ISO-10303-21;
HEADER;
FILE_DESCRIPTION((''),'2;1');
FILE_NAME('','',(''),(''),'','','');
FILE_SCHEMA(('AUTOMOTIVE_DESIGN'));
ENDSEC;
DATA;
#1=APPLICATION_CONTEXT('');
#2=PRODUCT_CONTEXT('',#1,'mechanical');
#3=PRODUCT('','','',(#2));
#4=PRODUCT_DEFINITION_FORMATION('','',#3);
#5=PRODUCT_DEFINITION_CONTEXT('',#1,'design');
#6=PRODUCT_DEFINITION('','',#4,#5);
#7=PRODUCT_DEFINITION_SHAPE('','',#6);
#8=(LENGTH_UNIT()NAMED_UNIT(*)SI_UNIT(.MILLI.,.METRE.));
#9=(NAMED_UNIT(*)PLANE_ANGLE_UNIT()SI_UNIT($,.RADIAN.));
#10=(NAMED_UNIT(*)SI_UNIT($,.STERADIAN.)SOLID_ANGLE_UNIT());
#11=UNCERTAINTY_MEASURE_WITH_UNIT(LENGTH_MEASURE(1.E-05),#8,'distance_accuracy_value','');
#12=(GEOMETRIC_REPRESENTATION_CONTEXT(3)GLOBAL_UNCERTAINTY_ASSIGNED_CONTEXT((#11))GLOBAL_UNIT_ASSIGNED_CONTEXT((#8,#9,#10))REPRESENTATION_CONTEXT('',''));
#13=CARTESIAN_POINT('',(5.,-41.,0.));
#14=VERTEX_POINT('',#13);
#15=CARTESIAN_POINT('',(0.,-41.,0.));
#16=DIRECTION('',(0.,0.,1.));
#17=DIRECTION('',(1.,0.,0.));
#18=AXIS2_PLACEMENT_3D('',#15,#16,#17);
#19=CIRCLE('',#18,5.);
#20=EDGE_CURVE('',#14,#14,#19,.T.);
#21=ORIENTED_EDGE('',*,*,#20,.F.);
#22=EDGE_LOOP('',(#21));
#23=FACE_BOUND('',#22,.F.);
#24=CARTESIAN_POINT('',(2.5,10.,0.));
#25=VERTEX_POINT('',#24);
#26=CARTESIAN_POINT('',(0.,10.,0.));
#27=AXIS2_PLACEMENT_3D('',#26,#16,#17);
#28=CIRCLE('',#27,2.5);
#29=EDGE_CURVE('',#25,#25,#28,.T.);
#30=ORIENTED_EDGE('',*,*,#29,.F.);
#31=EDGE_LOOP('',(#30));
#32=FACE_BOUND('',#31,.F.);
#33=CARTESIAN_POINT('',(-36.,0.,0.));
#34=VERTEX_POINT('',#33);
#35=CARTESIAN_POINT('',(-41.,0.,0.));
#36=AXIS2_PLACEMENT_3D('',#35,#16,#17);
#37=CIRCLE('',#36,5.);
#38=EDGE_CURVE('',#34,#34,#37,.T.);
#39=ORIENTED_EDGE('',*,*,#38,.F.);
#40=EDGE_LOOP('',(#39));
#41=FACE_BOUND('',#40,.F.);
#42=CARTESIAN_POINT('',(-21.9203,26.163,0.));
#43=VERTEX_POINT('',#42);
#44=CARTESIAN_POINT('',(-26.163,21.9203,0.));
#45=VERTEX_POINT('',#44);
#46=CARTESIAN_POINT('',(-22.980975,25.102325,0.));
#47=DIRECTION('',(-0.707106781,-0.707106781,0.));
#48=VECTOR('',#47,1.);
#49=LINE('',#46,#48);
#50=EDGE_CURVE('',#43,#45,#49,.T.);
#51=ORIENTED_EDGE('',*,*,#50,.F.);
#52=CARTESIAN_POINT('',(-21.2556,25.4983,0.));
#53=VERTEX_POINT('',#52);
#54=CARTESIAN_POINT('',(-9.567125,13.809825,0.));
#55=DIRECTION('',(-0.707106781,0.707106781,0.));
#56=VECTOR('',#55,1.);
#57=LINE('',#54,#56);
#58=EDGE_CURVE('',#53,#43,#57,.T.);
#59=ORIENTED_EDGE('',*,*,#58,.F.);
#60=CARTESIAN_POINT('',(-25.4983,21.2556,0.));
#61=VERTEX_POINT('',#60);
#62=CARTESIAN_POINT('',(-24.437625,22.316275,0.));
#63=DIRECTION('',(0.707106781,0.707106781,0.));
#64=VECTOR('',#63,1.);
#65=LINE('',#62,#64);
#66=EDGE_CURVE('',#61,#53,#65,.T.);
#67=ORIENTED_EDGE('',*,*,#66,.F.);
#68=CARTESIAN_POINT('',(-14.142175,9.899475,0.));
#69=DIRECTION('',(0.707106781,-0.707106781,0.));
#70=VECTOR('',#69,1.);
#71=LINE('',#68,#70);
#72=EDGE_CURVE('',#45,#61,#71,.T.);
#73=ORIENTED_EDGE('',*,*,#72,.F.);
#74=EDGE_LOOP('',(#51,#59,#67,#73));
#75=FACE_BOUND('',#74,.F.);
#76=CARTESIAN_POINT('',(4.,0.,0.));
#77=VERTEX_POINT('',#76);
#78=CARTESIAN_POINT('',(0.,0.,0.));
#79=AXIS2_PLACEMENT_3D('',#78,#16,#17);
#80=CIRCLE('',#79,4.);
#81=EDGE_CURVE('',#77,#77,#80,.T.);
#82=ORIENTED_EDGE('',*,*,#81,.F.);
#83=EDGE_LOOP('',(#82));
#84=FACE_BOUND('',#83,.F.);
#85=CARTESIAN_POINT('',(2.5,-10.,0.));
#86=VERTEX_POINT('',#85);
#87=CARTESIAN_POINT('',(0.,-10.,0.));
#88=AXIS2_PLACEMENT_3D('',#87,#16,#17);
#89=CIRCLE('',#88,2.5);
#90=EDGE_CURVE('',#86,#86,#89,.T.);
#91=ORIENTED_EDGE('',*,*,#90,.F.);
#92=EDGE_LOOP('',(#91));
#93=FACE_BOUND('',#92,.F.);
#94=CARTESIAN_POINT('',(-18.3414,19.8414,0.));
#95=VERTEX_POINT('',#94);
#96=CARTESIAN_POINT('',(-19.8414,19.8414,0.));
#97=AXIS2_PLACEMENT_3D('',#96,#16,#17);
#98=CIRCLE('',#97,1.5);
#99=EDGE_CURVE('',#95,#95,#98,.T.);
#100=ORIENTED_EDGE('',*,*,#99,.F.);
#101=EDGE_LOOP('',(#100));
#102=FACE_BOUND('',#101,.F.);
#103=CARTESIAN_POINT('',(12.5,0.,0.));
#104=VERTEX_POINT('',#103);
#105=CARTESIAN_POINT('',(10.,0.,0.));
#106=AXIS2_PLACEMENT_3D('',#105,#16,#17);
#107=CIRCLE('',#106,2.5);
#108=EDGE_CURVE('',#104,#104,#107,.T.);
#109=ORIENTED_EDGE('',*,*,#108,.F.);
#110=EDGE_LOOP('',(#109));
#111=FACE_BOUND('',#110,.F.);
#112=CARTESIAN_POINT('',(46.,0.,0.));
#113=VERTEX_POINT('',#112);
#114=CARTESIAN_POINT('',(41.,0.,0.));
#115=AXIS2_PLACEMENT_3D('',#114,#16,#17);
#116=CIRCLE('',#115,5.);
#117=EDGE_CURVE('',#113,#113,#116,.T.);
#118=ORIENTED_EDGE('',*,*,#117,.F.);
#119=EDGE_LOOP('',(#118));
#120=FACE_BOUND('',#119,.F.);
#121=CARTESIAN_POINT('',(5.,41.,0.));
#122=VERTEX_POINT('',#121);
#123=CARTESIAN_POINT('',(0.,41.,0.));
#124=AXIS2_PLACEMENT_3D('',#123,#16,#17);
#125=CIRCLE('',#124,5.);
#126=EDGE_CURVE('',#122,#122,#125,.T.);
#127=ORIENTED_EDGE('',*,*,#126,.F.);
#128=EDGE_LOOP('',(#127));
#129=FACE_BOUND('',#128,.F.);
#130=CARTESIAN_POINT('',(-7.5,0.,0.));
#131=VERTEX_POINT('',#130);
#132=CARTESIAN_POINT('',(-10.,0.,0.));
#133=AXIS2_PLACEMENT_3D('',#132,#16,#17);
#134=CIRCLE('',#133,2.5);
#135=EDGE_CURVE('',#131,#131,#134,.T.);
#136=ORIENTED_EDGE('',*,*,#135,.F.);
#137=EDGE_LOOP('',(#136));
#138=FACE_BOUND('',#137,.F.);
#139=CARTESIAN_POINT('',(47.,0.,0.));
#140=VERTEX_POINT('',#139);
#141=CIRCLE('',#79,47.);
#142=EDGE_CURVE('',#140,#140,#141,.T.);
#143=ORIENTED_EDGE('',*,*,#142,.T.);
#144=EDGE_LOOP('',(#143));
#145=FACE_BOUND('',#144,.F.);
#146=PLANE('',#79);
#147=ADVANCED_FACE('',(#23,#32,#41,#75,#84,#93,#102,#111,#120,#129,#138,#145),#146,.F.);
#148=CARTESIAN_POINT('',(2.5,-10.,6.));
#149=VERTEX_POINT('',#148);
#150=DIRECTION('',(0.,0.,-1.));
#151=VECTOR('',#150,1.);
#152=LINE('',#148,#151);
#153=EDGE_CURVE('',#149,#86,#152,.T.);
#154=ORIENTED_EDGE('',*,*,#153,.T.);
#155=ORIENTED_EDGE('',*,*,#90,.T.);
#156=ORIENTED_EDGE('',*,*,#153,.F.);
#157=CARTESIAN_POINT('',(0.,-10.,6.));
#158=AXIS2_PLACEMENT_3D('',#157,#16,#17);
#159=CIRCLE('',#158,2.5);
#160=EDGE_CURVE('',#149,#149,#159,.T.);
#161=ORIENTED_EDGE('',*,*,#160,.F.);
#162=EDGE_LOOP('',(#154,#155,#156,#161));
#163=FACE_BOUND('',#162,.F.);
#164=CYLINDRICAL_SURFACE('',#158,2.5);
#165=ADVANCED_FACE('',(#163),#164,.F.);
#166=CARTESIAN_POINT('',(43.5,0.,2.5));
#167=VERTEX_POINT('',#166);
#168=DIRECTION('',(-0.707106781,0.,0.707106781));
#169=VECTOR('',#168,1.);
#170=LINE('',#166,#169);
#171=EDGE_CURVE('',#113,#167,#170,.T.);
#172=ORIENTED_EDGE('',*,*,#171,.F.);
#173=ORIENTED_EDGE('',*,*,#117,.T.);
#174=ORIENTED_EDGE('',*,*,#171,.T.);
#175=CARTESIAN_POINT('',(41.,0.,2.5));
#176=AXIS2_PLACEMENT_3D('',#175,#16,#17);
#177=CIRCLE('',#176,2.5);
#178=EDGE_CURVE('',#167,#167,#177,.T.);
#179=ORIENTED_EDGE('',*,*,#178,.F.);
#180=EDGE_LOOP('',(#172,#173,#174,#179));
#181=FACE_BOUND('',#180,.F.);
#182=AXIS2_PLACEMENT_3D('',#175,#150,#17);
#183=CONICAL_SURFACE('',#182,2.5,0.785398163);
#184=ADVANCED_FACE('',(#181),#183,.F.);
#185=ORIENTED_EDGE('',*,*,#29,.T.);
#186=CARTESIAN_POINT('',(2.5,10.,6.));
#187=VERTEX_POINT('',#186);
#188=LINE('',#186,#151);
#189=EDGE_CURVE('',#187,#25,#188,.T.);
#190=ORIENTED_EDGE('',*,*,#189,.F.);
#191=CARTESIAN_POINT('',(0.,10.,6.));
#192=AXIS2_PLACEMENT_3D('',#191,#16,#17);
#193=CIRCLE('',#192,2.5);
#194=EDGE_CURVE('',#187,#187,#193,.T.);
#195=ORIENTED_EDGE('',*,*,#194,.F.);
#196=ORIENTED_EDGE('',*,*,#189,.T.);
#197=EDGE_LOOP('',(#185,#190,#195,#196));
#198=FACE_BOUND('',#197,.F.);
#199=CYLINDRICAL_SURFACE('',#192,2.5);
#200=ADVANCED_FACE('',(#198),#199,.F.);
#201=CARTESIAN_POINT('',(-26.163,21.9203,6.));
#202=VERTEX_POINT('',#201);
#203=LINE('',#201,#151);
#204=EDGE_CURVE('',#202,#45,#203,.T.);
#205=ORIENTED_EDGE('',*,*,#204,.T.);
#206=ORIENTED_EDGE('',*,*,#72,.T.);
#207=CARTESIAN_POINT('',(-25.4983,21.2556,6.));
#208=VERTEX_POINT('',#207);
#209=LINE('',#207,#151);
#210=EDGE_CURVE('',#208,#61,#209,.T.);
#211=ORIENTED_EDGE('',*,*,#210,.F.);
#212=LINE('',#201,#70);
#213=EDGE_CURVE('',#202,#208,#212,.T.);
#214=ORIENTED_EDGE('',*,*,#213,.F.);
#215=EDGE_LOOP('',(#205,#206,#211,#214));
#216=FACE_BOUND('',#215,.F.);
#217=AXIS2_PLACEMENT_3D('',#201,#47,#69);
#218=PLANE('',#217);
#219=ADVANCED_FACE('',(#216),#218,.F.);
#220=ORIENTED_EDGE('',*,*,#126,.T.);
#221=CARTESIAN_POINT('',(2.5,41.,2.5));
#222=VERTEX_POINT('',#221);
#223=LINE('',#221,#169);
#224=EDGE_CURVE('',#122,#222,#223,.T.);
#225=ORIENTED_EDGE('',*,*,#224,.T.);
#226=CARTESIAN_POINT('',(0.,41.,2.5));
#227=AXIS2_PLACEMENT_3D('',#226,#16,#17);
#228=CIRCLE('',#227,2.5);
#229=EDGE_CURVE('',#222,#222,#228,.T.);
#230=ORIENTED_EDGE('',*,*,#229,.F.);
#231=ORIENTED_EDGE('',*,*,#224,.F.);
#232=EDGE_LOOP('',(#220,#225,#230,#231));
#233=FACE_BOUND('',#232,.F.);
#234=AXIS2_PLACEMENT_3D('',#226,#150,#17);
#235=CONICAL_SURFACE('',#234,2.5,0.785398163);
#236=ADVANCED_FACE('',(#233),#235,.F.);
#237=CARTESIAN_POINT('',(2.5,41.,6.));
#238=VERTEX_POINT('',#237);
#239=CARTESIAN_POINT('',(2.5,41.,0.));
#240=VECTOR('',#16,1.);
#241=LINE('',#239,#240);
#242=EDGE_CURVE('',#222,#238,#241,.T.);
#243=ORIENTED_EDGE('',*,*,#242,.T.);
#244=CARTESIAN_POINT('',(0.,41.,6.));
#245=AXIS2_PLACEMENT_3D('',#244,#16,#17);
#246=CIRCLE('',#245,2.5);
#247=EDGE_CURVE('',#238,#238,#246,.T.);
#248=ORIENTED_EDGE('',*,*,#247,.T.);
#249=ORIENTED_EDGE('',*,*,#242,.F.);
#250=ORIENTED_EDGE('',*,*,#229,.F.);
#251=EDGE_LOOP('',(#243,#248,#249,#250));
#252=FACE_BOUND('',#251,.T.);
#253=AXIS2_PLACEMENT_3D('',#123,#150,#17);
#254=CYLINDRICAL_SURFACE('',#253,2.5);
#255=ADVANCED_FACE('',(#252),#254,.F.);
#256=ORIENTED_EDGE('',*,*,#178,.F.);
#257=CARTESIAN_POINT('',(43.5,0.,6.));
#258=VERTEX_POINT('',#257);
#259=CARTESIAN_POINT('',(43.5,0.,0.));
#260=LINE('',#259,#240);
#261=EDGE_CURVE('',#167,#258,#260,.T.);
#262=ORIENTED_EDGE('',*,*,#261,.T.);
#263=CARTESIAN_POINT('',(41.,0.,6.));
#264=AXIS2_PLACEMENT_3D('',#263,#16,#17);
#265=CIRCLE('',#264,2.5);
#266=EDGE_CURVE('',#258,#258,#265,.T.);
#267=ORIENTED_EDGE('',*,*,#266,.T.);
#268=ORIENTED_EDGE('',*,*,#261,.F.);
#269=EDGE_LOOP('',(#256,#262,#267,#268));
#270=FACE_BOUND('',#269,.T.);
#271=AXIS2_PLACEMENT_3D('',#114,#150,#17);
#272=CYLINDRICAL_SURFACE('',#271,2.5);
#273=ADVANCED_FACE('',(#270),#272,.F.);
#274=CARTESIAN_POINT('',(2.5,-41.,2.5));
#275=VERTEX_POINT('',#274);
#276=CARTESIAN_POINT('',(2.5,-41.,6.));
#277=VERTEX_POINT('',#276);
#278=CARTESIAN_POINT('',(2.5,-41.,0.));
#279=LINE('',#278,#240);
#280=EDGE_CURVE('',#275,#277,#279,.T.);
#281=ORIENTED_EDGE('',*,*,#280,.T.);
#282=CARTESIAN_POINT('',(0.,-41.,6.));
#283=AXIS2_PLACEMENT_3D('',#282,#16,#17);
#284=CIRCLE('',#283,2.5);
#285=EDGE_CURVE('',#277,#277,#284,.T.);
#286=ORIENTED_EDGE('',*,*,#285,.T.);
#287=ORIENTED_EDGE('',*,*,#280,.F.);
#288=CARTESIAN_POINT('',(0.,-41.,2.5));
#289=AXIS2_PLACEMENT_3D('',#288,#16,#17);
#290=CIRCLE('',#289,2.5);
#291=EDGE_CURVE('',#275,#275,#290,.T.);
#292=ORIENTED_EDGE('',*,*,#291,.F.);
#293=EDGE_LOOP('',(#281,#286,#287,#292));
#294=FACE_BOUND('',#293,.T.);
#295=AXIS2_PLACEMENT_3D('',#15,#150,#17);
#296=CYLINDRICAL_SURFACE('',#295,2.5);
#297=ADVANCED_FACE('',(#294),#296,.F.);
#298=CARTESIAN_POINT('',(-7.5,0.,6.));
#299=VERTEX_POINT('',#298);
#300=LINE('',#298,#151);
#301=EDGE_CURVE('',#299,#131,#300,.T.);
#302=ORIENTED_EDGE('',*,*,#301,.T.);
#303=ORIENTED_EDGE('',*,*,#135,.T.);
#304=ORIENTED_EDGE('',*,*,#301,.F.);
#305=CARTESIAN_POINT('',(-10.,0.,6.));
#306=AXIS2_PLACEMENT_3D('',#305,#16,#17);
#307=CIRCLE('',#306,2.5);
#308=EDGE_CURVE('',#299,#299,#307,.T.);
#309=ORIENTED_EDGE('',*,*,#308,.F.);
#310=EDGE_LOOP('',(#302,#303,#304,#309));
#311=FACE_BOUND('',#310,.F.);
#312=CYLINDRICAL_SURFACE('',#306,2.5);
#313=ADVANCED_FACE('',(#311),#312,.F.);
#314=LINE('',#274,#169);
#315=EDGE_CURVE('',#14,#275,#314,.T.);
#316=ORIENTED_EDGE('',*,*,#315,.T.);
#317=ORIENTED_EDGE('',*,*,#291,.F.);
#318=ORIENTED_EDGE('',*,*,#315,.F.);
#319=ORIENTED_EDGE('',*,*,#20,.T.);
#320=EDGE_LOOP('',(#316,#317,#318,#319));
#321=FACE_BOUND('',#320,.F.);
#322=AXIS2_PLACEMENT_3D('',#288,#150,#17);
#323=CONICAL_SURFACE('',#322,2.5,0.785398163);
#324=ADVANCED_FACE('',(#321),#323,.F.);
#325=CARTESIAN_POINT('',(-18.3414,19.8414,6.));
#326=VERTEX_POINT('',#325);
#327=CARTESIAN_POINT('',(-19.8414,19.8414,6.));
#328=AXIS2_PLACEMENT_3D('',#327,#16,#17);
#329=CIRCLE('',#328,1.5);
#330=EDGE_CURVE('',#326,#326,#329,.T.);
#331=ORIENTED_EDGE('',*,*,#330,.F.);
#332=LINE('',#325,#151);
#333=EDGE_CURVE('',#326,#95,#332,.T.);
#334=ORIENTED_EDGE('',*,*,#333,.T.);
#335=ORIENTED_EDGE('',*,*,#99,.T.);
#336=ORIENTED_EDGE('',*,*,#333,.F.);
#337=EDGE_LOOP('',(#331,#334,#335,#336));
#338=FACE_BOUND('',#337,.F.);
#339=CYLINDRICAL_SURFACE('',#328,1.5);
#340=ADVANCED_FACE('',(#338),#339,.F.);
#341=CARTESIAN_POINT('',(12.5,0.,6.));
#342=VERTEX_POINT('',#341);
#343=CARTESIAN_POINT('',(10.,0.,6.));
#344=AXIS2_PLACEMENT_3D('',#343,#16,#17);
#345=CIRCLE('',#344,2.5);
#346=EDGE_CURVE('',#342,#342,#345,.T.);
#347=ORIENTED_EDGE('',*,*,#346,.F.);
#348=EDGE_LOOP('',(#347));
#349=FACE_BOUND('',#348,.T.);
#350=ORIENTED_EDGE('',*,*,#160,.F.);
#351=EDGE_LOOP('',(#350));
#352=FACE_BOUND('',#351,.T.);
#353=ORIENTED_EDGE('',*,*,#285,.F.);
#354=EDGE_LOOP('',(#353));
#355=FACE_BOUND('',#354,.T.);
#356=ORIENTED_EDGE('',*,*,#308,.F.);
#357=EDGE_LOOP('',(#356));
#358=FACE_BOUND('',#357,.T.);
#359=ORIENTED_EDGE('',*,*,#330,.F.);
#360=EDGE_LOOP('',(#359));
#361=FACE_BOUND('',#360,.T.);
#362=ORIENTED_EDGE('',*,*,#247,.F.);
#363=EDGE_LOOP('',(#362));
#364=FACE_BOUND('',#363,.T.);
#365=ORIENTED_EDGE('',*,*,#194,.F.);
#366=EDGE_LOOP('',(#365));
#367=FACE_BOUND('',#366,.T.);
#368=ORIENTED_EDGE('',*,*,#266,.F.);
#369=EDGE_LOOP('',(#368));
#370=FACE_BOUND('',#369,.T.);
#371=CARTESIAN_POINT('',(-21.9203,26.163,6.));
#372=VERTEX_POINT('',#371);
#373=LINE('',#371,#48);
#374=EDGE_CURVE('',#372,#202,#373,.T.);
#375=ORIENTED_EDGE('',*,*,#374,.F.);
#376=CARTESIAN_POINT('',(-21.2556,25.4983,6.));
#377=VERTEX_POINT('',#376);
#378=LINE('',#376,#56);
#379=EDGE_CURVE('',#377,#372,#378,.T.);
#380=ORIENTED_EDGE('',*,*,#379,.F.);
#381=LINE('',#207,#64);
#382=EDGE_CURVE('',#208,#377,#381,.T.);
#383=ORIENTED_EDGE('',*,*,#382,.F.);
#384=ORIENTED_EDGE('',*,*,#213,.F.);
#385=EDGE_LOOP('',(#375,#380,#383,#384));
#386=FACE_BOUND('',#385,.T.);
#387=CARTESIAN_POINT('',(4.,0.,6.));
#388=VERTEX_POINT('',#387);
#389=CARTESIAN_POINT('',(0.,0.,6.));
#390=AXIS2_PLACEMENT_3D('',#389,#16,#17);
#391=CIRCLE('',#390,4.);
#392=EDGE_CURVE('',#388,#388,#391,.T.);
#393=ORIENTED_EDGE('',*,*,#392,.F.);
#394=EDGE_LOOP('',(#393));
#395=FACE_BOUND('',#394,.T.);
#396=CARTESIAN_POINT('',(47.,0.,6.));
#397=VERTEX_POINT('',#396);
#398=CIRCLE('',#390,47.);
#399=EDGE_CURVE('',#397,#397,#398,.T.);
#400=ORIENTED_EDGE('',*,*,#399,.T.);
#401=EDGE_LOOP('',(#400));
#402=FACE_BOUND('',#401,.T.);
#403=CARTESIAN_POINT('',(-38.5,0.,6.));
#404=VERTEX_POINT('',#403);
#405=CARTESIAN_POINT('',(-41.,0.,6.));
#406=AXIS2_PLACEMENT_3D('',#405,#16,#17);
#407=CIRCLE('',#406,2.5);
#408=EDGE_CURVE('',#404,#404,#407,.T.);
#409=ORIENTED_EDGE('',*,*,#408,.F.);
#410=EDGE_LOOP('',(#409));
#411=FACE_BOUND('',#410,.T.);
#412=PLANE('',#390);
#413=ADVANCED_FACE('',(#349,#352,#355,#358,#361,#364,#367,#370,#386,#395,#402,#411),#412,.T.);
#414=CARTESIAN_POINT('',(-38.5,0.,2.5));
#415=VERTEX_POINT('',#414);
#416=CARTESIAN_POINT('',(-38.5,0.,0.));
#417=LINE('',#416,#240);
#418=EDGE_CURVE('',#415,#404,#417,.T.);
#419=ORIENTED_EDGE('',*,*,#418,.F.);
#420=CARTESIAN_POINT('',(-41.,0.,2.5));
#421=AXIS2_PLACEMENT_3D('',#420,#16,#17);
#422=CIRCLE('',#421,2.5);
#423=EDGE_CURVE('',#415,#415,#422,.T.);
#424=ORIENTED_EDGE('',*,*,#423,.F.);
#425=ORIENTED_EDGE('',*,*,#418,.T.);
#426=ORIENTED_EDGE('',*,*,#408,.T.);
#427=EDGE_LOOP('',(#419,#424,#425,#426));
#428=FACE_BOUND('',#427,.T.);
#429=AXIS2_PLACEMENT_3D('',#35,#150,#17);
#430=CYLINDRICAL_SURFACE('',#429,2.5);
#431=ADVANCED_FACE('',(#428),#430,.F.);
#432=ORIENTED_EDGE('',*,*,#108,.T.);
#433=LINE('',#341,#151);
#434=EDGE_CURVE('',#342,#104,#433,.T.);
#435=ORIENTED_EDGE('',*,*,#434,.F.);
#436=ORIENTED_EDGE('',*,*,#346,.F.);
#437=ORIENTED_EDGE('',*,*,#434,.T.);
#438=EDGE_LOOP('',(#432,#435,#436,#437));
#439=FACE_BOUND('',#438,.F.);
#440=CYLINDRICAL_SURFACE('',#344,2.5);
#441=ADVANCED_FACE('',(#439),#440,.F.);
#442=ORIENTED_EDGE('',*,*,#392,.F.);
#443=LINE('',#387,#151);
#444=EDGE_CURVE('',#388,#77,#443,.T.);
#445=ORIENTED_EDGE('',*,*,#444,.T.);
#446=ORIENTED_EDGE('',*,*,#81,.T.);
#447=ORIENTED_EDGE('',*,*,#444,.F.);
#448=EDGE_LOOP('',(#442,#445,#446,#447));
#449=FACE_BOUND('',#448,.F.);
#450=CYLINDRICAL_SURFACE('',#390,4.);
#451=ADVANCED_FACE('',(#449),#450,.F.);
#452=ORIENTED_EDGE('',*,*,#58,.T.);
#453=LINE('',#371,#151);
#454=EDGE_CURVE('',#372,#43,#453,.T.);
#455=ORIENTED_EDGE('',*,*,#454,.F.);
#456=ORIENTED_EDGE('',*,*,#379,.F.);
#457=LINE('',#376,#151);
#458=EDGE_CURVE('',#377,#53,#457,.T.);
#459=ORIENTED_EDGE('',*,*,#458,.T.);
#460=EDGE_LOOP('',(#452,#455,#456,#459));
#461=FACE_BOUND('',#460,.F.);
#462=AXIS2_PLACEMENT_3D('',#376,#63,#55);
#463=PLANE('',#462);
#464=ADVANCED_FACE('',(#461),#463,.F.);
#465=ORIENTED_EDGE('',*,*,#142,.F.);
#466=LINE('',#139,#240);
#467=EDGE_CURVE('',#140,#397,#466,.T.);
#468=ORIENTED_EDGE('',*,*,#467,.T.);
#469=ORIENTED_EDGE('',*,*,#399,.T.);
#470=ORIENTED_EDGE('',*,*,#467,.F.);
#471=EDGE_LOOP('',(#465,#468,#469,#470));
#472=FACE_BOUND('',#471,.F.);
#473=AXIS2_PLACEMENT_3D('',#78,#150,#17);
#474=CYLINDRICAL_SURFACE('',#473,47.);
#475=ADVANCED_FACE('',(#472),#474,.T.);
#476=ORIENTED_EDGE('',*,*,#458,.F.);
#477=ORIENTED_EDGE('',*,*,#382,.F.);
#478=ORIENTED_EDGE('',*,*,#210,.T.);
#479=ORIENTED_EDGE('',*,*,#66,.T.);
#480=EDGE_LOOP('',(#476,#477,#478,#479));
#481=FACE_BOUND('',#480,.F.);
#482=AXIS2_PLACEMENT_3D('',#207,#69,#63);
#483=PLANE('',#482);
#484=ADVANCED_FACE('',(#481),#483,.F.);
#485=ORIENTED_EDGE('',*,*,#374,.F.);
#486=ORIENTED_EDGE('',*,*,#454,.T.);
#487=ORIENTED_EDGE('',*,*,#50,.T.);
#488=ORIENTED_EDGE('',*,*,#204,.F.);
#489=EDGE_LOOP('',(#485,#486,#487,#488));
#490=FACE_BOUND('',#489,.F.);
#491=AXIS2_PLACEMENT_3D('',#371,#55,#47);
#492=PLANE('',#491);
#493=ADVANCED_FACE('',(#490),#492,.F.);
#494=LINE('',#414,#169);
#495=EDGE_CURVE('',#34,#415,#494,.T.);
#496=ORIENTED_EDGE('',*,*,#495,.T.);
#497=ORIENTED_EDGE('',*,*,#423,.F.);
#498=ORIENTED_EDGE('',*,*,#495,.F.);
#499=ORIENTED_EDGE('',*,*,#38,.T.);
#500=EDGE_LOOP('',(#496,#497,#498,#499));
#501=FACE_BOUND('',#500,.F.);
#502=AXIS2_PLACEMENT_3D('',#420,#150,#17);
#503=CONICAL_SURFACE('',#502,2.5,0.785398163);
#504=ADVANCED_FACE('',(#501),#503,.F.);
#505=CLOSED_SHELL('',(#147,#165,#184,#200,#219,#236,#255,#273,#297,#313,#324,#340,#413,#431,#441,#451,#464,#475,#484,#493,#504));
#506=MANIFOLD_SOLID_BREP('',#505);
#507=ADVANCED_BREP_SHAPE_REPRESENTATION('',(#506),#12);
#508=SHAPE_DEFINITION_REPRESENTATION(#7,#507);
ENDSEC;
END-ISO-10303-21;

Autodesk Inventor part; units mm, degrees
ref_plane "YZ Plane" through (0, 0, 0) normal (1, 0, 0) x (0, 1, 0)
ref_plane "XZ Plane" through (0, 0, 0) normal (0, 1, 0) x (-1, 0, 0)
ref_plane "XY Plane" through (0, 0, 0) normal (0, 0, 1) x (1, 0, 0)
sketch "草圖1" plane through (0, 0, 0) normal (0, 0, 1) x (1, 0, 0)
  circle A0 centre (0, 0) radius 47 projected
  circle A1 centre (40.0673, -8.6957) radius 2.5 construction
  circle A2 centre (-8.6957, -40.0673) radius 2.5 construction
  circle A3 centre (-40.0673, 8.6957) radius 2.5 construction
  circle A4 centre (8.6957, 40.0673) radius 2.5 construction
  circle A5 centre (0, 0) radius 41 construction
  circle A6 centre (41, 0) radius 2.5
  circle A7 centre (0, 41) radius 2.5
  circle A8 centre (-41, 0) radius 2.5
  circle A9 centre (0, -41) radius 2.5
  point P0 (0, 0)
  dimension "d11" = 5
  dimension "d14" = 360
extrude "擠出1" add sketch "草圖1" along normal blind 6
sketch "草圖3" plane through (0, 0, 6) normal (0, 0, 1) x (1, 0, 0)
  circle A0 centre (0, 0) radius 4
  dimension "d4" = 8
extrude "擠出3" cut sketch "草圖3" against normal through all
sketch "草圖6" plane through (0, 0, 6) normal (0, 0, 1) x (1, 0, 0)
  circle A0 centre (9.4848, 3.1685) radius 2.5 construction
  circle A1 centre (-9.4848, -3.1685) radius 2.5 construction
  circle A2 centre (3.1685, -9.4848) radius 2.5 construction
  circle A3 centre (-3.1685, 9.4848) radius 2.5 construction
  circle A4 centre (0, 0) radius 21 projected
  circle A5 centre (0, 0) radius 4 projected
  circle A6 centre (0, 0) radius 10 construction
  circle A7 centre (10, 0) radius 2.5
  circle A8 centre (0, 10) radius 2.5
  circle A9 centre (-10, 0) radius 2.5
  circle A10 centre (0, -10) radius 2.5
  point P0 (0, 0)
  dimension "d16" = 5
  dimension "d19" = 360
extrude "擠出5" cut sketch "草圖6" against normal through all contours A7 | A8 | A9 | A10
sketch "草圖10" plane through (0, 0, 6) normal (0, 0, 1) x (1, 0, 0)
  circle A0 centre (-19.8414, 19.8414) radius 1.5
  line L0 (-21.9203, 26.163) -> (-26.163, 21.9203)
  line L1 (-26.163, 21.9203) -> (-25.4983, 21.2556)
  line L2 (-25.4983, 21.2556) -> (-21.2556, 25.4983)
  line L3 (-21.2556, 25.4983) -> (-21.9203, 26.163)
  line L4 (0, 0) -> (-33.234, 33.234) construction
  line L5 (0, 0) -> (18.5986, 0) construction
  circle A1 centre (0, 0) radius 47 projected
  point P0 (-23.377, 23.377)
  dimension "d30" = 3
  dimension "d31" = 0.94
  dimension "d35" = 5
  dimension "d38" = 135
  dimension "d39" = 6
  dimension "d40" = 34
extrude "擠出7" cut sketch "草圖10" against normal through all contours A0 | L3 L2 L1 L0
sketch "草圖11" plane through (0, 0, 6) normal (0, 0, 1) x (1, 0, 0)
  circle A0 centre (-19.8414, 19.8414) radius 1.5 projected
  line L0 (-21.2556, 25.4983) -> (-25.4983, 21.2556) projected
  line L1 (-25.4983, 21.2556) -> (-26.163, 21.9203) projected
  line L2 (-26.163, 21.9203) -> (-21.9203, 26.163) projected
  line L3 (-21.9203, 26.163) -> (-21.2556, 25.4983) projected
  circle A1 centre (-10, 0) radius 2.5 projected
  circle A2 centre (0, 10) radius 2.5 projected
  circle A3 centre (0, -10) radius 2.5 projected
  circle A4 centre (10, 0) radius 2.5 projected
  circle A5 centre (0, 0) radius 4 projected
  circle A6 centre (0, 0) radius 47 projected
  circle A7 centre (0, -41) radius 2.5 projected
  circle A8 centre (-41, 0) radius 2.5 projected
  circle A9 centre (0, 41) radius 2.5 projected
  circle A10 centre (41, 0) radius 2.5 projected
chamfer "倒角1" distance 2.5 angle 45 4 edges at (-2.5, -41, 0) (38.5, 0, 0) (-43.5, 0, 0) (-2.5, 41, 0)
properties part number "base gear base plate"
